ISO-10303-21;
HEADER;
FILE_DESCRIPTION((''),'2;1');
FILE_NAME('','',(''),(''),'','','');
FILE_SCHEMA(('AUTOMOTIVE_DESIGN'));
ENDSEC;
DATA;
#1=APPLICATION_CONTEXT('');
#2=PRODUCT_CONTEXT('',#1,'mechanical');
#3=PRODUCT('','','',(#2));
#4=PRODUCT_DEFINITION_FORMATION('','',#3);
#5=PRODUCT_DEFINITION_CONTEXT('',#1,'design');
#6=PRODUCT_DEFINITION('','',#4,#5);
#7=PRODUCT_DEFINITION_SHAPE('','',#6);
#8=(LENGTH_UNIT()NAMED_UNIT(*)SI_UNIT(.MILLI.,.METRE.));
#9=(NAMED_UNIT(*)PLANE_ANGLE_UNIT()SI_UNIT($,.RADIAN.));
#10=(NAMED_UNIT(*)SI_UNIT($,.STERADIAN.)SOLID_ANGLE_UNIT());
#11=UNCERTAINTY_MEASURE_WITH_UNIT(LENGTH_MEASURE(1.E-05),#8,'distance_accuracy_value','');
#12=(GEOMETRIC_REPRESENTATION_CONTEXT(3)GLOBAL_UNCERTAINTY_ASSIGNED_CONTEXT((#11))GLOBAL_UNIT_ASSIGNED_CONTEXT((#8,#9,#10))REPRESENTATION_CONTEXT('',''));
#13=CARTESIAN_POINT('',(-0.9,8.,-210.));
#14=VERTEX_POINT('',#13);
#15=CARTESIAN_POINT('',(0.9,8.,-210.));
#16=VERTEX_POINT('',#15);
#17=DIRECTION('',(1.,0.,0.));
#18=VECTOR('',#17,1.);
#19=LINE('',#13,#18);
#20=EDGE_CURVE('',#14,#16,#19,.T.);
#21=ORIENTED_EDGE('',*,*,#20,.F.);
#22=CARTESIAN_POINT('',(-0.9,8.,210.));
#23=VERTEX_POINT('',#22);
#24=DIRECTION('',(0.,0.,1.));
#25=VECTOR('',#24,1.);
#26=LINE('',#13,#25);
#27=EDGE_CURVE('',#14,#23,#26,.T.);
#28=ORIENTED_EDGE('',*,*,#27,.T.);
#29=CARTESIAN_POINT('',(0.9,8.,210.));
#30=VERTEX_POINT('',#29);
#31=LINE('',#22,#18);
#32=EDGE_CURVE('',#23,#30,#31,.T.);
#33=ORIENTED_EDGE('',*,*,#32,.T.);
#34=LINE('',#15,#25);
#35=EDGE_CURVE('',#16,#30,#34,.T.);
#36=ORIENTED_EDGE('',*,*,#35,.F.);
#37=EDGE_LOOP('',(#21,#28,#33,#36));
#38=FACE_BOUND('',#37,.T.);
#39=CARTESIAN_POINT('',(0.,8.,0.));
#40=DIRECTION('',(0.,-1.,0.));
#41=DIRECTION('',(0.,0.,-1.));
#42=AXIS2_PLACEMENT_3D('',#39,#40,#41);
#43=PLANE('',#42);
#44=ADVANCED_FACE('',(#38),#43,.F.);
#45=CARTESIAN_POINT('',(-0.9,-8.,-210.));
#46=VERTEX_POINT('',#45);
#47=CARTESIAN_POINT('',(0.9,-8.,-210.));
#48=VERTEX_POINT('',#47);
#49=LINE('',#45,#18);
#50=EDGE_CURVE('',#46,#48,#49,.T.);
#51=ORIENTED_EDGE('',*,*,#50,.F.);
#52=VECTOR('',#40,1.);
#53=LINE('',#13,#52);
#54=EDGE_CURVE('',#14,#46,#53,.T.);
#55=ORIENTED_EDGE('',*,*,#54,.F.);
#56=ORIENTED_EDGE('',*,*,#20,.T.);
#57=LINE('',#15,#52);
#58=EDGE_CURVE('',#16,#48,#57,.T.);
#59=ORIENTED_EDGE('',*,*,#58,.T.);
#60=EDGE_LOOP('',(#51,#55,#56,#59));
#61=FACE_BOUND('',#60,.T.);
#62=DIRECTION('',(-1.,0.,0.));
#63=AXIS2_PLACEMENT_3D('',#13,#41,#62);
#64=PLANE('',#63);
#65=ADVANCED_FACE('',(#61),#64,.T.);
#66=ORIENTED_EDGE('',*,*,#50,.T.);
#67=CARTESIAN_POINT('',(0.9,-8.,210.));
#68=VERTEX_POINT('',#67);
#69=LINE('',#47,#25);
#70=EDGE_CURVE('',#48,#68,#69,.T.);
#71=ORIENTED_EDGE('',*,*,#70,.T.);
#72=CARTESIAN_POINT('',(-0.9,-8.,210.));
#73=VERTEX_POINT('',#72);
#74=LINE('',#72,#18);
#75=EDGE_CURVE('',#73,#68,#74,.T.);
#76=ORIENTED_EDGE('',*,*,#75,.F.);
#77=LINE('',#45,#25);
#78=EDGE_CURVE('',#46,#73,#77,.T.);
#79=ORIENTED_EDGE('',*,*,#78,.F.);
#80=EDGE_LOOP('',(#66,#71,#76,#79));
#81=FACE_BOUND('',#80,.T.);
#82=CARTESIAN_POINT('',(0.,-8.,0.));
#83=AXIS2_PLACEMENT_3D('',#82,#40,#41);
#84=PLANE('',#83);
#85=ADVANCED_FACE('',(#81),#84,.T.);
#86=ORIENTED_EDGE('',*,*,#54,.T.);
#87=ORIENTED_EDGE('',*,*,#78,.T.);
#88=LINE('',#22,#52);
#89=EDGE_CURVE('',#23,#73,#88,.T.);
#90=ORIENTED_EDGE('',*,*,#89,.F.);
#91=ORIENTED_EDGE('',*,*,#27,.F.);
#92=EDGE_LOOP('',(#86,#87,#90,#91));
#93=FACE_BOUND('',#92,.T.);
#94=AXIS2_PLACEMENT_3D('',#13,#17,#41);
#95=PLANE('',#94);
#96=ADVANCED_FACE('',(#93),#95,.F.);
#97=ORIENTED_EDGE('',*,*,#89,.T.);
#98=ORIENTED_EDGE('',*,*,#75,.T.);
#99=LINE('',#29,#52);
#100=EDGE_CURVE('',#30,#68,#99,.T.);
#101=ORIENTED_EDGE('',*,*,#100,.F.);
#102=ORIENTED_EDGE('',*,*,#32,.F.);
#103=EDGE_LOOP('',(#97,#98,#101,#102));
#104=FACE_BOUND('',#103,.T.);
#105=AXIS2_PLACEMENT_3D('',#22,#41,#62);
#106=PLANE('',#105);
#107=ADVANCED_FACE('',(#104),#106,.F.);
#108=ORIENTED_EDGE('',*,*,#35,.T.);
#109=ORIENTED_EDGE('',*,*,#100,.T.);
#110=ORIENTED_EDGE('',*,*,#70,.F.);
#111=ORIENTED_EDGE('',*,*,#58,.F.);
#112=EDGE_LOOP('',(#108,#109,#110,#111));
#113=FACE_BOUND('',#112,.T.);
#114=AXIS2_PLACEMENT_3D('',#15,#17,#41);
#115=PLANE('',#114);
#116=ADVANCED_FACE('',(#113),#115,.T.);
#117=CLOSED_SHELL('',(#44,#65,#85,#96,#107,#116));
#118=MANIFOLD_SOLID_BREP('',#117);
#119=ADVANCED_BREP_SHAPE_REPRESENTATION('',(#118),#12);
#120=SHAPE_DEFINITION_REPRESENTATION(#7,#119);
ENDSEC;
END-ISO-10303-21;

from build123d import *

# Parameters (mm, degrees)
SKETCH_1_W      = 1.8
SKETCH_1_H      = 420
EXTRUDE_1_DEPTH = 8


with BuildPart() as part:
    # 草图1 → 凸台-拉伸1 (new, symmetric)
    with BuildSketch(Plane(origin=(0, 0, 0), x_dir=(1, 0, 0), z_dir=(0, 1, 0))):
        Rectangle(SKETCH_1_W, SKETCH_1_H)
    extrude(amount=EXTRUDE_1_DEPTH, both=True)


solid = part.part
